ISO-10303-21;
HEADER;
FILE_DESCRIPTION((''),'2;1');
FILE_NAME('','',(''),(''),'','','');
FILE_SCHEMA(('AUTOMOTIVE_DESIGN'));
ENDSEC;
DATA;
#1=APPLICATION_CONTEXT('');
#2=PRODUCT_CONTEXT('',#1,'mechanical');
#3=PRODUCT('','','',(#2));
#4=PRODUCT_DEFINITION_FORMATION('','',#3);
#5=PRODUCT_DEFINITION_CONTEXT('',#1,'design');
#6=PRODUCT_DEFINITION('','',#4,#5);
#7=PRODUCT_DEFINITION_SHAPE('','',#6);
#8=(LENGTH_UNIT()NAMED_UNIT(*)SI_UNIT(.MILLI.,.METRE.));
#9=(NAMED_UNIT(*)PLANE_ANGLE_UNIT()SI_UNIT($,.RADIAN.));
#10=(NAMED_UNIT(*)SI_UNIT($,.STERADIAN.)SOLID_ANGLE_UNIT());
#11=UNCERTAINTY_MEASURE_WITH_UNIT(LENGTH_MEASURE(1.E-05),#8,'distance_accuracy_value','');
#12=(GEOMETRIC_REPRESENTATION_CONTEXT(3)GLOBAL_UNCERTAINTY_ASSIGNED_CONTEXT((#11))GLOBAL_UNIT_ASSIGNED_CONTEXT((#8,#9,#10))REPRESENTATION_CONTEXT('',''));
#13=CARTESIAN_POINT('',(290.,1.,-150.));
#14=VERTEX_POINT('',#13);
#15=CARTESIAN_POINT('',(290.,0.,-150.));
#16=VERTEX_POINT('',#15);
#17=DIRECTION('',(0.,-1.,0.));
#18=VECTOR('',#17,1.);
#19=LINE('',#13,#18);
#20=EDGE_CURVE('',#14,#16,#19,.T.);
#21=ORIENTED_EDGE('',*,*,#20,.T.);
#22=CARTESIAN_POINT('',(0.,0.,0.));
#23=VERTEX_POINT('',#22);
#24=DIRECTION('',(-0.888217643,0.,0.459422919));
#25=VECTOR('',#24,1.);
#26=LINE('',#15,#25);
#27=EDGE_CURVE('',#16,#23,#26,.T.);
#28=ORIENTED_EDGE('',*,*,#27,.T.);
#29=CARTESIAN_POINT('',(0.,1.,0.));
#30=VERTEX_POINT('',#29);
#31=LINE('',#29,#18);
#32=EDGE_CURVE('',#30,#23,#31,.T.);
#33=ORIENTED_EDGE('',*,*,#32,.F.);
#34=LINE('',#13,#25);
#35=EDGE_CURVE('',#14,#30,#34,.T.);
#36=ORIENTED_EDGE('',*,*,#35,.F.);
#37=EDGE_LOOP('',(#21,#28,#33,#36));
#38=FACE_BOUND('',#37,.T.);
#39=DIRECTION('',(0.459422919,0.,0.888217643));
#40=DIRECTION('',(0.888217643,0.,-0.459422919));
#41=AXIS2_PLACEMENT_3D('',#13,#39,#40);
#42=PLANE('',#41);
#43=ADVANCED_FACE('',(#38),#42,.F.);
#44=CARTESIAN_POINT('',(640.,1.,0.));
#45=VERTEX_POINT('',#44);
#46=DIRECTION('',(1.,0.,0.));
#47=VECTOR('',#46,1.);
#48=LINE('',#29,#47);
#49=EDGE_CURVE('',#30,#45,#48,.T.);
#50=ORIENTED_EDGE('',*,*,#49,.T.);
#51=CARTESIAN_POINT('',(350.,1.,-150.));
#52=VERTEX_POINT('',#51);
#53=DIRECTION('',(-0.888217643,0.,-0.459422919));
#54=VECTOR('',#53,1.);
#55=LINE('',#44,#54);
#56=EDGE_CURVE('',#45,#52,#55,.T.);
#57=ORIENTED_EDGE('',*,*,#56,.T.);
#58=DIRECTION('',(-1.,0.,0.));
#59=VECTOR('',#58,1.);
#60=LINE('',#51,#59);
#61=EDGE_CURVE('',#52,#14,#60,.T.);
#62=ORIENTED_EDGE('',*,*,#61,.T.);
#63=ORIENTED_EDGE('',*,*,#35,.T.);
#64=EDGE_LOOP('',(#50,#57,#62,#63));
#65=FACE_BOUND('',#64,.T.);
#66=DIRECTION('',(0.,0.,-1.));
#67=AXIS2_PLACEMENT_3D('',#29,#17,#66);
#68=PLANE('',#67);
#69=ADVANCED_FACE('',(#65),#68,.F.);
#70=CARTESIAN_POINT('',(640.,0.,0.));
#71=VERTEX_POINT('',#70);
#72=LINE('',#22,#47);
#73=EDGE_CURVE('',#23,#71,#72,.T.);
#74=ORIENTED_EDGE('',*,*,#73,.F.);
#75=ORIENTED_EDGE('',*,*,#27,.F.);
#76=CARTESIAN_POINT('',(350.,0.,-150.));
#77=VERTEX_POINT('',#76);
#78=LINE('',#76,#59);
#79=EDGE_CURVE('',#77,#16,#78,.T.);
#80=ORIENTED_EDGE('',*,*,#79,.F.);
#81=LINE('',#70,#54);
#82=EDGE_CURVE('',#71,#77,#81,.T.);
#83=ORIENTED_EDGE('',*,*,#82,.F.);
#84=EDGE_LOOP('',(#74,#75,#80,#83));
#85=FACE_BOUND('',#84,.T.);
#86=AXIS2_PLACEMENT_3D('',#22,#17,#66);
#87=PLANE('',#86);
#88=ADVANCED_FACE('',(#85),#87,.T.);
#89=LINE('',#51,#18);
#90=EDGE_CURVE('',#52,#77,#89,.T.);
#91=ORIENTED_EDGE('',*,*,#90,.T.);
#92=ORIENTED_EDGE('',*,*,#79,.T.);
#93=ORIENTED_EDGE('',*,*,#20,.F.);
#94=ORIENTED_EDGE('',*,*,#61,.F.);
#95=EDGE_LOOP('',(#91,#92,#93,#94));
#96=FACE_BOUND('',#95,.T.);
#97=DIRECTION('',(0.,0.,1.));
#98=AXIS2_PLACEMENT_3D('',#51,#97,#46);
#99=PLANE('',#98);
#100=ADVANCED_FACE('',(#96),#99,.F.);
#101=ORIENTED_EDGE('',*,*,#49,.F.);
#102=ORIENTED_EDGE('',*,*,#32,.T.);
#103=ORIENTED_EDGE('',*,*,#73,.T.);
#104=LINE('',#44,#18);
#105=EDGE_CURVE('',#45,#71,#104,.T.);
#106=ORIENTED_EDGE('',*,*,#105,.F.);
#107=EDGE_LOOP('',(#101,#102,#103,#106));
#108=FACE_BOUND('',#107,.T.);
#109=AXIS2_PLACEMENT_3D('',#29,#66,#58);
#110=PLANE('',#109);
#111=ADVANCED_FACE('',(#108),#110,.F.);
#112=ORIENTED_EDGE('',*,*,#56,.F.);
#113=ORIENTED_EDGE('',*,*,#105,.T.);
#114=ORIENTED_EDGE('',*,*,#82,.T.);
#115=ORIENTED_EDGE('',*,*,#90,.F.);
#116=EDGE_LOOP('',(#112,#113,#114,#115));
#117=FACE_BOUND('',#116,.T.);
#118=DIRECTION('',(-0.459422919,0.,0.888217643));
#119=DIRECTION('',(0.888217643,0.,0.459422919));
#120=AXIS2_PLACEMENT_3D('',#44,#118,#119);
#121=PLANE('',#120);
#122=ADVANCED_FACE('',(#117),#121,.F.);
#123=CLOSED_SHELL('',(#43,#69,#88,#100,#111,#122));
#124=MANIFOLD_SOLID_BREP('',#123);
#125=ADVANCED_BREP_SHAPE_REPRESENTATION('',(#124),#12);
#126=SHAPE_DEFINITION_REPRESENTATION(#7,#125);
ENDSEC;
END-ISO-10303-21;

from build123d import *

# Parameters (mm, degrees)
BOSS_EXTRUDE1_DEPTH = 1


with BuildPart() as part:
    # Sketch1 → Boss-Extrude1 (new body)
    with BuildSketch(Plane(origin=(0, 0, 0), x_dir=(1, 0, 0), z_dir=(0, 1, 0))):
        Polygon((0, 0), (640, 0), (350, 150), (290, 150), align=None)
    extrude(amount=BOSS_EXTRUDE1_DEPTH)


solid = part.part
